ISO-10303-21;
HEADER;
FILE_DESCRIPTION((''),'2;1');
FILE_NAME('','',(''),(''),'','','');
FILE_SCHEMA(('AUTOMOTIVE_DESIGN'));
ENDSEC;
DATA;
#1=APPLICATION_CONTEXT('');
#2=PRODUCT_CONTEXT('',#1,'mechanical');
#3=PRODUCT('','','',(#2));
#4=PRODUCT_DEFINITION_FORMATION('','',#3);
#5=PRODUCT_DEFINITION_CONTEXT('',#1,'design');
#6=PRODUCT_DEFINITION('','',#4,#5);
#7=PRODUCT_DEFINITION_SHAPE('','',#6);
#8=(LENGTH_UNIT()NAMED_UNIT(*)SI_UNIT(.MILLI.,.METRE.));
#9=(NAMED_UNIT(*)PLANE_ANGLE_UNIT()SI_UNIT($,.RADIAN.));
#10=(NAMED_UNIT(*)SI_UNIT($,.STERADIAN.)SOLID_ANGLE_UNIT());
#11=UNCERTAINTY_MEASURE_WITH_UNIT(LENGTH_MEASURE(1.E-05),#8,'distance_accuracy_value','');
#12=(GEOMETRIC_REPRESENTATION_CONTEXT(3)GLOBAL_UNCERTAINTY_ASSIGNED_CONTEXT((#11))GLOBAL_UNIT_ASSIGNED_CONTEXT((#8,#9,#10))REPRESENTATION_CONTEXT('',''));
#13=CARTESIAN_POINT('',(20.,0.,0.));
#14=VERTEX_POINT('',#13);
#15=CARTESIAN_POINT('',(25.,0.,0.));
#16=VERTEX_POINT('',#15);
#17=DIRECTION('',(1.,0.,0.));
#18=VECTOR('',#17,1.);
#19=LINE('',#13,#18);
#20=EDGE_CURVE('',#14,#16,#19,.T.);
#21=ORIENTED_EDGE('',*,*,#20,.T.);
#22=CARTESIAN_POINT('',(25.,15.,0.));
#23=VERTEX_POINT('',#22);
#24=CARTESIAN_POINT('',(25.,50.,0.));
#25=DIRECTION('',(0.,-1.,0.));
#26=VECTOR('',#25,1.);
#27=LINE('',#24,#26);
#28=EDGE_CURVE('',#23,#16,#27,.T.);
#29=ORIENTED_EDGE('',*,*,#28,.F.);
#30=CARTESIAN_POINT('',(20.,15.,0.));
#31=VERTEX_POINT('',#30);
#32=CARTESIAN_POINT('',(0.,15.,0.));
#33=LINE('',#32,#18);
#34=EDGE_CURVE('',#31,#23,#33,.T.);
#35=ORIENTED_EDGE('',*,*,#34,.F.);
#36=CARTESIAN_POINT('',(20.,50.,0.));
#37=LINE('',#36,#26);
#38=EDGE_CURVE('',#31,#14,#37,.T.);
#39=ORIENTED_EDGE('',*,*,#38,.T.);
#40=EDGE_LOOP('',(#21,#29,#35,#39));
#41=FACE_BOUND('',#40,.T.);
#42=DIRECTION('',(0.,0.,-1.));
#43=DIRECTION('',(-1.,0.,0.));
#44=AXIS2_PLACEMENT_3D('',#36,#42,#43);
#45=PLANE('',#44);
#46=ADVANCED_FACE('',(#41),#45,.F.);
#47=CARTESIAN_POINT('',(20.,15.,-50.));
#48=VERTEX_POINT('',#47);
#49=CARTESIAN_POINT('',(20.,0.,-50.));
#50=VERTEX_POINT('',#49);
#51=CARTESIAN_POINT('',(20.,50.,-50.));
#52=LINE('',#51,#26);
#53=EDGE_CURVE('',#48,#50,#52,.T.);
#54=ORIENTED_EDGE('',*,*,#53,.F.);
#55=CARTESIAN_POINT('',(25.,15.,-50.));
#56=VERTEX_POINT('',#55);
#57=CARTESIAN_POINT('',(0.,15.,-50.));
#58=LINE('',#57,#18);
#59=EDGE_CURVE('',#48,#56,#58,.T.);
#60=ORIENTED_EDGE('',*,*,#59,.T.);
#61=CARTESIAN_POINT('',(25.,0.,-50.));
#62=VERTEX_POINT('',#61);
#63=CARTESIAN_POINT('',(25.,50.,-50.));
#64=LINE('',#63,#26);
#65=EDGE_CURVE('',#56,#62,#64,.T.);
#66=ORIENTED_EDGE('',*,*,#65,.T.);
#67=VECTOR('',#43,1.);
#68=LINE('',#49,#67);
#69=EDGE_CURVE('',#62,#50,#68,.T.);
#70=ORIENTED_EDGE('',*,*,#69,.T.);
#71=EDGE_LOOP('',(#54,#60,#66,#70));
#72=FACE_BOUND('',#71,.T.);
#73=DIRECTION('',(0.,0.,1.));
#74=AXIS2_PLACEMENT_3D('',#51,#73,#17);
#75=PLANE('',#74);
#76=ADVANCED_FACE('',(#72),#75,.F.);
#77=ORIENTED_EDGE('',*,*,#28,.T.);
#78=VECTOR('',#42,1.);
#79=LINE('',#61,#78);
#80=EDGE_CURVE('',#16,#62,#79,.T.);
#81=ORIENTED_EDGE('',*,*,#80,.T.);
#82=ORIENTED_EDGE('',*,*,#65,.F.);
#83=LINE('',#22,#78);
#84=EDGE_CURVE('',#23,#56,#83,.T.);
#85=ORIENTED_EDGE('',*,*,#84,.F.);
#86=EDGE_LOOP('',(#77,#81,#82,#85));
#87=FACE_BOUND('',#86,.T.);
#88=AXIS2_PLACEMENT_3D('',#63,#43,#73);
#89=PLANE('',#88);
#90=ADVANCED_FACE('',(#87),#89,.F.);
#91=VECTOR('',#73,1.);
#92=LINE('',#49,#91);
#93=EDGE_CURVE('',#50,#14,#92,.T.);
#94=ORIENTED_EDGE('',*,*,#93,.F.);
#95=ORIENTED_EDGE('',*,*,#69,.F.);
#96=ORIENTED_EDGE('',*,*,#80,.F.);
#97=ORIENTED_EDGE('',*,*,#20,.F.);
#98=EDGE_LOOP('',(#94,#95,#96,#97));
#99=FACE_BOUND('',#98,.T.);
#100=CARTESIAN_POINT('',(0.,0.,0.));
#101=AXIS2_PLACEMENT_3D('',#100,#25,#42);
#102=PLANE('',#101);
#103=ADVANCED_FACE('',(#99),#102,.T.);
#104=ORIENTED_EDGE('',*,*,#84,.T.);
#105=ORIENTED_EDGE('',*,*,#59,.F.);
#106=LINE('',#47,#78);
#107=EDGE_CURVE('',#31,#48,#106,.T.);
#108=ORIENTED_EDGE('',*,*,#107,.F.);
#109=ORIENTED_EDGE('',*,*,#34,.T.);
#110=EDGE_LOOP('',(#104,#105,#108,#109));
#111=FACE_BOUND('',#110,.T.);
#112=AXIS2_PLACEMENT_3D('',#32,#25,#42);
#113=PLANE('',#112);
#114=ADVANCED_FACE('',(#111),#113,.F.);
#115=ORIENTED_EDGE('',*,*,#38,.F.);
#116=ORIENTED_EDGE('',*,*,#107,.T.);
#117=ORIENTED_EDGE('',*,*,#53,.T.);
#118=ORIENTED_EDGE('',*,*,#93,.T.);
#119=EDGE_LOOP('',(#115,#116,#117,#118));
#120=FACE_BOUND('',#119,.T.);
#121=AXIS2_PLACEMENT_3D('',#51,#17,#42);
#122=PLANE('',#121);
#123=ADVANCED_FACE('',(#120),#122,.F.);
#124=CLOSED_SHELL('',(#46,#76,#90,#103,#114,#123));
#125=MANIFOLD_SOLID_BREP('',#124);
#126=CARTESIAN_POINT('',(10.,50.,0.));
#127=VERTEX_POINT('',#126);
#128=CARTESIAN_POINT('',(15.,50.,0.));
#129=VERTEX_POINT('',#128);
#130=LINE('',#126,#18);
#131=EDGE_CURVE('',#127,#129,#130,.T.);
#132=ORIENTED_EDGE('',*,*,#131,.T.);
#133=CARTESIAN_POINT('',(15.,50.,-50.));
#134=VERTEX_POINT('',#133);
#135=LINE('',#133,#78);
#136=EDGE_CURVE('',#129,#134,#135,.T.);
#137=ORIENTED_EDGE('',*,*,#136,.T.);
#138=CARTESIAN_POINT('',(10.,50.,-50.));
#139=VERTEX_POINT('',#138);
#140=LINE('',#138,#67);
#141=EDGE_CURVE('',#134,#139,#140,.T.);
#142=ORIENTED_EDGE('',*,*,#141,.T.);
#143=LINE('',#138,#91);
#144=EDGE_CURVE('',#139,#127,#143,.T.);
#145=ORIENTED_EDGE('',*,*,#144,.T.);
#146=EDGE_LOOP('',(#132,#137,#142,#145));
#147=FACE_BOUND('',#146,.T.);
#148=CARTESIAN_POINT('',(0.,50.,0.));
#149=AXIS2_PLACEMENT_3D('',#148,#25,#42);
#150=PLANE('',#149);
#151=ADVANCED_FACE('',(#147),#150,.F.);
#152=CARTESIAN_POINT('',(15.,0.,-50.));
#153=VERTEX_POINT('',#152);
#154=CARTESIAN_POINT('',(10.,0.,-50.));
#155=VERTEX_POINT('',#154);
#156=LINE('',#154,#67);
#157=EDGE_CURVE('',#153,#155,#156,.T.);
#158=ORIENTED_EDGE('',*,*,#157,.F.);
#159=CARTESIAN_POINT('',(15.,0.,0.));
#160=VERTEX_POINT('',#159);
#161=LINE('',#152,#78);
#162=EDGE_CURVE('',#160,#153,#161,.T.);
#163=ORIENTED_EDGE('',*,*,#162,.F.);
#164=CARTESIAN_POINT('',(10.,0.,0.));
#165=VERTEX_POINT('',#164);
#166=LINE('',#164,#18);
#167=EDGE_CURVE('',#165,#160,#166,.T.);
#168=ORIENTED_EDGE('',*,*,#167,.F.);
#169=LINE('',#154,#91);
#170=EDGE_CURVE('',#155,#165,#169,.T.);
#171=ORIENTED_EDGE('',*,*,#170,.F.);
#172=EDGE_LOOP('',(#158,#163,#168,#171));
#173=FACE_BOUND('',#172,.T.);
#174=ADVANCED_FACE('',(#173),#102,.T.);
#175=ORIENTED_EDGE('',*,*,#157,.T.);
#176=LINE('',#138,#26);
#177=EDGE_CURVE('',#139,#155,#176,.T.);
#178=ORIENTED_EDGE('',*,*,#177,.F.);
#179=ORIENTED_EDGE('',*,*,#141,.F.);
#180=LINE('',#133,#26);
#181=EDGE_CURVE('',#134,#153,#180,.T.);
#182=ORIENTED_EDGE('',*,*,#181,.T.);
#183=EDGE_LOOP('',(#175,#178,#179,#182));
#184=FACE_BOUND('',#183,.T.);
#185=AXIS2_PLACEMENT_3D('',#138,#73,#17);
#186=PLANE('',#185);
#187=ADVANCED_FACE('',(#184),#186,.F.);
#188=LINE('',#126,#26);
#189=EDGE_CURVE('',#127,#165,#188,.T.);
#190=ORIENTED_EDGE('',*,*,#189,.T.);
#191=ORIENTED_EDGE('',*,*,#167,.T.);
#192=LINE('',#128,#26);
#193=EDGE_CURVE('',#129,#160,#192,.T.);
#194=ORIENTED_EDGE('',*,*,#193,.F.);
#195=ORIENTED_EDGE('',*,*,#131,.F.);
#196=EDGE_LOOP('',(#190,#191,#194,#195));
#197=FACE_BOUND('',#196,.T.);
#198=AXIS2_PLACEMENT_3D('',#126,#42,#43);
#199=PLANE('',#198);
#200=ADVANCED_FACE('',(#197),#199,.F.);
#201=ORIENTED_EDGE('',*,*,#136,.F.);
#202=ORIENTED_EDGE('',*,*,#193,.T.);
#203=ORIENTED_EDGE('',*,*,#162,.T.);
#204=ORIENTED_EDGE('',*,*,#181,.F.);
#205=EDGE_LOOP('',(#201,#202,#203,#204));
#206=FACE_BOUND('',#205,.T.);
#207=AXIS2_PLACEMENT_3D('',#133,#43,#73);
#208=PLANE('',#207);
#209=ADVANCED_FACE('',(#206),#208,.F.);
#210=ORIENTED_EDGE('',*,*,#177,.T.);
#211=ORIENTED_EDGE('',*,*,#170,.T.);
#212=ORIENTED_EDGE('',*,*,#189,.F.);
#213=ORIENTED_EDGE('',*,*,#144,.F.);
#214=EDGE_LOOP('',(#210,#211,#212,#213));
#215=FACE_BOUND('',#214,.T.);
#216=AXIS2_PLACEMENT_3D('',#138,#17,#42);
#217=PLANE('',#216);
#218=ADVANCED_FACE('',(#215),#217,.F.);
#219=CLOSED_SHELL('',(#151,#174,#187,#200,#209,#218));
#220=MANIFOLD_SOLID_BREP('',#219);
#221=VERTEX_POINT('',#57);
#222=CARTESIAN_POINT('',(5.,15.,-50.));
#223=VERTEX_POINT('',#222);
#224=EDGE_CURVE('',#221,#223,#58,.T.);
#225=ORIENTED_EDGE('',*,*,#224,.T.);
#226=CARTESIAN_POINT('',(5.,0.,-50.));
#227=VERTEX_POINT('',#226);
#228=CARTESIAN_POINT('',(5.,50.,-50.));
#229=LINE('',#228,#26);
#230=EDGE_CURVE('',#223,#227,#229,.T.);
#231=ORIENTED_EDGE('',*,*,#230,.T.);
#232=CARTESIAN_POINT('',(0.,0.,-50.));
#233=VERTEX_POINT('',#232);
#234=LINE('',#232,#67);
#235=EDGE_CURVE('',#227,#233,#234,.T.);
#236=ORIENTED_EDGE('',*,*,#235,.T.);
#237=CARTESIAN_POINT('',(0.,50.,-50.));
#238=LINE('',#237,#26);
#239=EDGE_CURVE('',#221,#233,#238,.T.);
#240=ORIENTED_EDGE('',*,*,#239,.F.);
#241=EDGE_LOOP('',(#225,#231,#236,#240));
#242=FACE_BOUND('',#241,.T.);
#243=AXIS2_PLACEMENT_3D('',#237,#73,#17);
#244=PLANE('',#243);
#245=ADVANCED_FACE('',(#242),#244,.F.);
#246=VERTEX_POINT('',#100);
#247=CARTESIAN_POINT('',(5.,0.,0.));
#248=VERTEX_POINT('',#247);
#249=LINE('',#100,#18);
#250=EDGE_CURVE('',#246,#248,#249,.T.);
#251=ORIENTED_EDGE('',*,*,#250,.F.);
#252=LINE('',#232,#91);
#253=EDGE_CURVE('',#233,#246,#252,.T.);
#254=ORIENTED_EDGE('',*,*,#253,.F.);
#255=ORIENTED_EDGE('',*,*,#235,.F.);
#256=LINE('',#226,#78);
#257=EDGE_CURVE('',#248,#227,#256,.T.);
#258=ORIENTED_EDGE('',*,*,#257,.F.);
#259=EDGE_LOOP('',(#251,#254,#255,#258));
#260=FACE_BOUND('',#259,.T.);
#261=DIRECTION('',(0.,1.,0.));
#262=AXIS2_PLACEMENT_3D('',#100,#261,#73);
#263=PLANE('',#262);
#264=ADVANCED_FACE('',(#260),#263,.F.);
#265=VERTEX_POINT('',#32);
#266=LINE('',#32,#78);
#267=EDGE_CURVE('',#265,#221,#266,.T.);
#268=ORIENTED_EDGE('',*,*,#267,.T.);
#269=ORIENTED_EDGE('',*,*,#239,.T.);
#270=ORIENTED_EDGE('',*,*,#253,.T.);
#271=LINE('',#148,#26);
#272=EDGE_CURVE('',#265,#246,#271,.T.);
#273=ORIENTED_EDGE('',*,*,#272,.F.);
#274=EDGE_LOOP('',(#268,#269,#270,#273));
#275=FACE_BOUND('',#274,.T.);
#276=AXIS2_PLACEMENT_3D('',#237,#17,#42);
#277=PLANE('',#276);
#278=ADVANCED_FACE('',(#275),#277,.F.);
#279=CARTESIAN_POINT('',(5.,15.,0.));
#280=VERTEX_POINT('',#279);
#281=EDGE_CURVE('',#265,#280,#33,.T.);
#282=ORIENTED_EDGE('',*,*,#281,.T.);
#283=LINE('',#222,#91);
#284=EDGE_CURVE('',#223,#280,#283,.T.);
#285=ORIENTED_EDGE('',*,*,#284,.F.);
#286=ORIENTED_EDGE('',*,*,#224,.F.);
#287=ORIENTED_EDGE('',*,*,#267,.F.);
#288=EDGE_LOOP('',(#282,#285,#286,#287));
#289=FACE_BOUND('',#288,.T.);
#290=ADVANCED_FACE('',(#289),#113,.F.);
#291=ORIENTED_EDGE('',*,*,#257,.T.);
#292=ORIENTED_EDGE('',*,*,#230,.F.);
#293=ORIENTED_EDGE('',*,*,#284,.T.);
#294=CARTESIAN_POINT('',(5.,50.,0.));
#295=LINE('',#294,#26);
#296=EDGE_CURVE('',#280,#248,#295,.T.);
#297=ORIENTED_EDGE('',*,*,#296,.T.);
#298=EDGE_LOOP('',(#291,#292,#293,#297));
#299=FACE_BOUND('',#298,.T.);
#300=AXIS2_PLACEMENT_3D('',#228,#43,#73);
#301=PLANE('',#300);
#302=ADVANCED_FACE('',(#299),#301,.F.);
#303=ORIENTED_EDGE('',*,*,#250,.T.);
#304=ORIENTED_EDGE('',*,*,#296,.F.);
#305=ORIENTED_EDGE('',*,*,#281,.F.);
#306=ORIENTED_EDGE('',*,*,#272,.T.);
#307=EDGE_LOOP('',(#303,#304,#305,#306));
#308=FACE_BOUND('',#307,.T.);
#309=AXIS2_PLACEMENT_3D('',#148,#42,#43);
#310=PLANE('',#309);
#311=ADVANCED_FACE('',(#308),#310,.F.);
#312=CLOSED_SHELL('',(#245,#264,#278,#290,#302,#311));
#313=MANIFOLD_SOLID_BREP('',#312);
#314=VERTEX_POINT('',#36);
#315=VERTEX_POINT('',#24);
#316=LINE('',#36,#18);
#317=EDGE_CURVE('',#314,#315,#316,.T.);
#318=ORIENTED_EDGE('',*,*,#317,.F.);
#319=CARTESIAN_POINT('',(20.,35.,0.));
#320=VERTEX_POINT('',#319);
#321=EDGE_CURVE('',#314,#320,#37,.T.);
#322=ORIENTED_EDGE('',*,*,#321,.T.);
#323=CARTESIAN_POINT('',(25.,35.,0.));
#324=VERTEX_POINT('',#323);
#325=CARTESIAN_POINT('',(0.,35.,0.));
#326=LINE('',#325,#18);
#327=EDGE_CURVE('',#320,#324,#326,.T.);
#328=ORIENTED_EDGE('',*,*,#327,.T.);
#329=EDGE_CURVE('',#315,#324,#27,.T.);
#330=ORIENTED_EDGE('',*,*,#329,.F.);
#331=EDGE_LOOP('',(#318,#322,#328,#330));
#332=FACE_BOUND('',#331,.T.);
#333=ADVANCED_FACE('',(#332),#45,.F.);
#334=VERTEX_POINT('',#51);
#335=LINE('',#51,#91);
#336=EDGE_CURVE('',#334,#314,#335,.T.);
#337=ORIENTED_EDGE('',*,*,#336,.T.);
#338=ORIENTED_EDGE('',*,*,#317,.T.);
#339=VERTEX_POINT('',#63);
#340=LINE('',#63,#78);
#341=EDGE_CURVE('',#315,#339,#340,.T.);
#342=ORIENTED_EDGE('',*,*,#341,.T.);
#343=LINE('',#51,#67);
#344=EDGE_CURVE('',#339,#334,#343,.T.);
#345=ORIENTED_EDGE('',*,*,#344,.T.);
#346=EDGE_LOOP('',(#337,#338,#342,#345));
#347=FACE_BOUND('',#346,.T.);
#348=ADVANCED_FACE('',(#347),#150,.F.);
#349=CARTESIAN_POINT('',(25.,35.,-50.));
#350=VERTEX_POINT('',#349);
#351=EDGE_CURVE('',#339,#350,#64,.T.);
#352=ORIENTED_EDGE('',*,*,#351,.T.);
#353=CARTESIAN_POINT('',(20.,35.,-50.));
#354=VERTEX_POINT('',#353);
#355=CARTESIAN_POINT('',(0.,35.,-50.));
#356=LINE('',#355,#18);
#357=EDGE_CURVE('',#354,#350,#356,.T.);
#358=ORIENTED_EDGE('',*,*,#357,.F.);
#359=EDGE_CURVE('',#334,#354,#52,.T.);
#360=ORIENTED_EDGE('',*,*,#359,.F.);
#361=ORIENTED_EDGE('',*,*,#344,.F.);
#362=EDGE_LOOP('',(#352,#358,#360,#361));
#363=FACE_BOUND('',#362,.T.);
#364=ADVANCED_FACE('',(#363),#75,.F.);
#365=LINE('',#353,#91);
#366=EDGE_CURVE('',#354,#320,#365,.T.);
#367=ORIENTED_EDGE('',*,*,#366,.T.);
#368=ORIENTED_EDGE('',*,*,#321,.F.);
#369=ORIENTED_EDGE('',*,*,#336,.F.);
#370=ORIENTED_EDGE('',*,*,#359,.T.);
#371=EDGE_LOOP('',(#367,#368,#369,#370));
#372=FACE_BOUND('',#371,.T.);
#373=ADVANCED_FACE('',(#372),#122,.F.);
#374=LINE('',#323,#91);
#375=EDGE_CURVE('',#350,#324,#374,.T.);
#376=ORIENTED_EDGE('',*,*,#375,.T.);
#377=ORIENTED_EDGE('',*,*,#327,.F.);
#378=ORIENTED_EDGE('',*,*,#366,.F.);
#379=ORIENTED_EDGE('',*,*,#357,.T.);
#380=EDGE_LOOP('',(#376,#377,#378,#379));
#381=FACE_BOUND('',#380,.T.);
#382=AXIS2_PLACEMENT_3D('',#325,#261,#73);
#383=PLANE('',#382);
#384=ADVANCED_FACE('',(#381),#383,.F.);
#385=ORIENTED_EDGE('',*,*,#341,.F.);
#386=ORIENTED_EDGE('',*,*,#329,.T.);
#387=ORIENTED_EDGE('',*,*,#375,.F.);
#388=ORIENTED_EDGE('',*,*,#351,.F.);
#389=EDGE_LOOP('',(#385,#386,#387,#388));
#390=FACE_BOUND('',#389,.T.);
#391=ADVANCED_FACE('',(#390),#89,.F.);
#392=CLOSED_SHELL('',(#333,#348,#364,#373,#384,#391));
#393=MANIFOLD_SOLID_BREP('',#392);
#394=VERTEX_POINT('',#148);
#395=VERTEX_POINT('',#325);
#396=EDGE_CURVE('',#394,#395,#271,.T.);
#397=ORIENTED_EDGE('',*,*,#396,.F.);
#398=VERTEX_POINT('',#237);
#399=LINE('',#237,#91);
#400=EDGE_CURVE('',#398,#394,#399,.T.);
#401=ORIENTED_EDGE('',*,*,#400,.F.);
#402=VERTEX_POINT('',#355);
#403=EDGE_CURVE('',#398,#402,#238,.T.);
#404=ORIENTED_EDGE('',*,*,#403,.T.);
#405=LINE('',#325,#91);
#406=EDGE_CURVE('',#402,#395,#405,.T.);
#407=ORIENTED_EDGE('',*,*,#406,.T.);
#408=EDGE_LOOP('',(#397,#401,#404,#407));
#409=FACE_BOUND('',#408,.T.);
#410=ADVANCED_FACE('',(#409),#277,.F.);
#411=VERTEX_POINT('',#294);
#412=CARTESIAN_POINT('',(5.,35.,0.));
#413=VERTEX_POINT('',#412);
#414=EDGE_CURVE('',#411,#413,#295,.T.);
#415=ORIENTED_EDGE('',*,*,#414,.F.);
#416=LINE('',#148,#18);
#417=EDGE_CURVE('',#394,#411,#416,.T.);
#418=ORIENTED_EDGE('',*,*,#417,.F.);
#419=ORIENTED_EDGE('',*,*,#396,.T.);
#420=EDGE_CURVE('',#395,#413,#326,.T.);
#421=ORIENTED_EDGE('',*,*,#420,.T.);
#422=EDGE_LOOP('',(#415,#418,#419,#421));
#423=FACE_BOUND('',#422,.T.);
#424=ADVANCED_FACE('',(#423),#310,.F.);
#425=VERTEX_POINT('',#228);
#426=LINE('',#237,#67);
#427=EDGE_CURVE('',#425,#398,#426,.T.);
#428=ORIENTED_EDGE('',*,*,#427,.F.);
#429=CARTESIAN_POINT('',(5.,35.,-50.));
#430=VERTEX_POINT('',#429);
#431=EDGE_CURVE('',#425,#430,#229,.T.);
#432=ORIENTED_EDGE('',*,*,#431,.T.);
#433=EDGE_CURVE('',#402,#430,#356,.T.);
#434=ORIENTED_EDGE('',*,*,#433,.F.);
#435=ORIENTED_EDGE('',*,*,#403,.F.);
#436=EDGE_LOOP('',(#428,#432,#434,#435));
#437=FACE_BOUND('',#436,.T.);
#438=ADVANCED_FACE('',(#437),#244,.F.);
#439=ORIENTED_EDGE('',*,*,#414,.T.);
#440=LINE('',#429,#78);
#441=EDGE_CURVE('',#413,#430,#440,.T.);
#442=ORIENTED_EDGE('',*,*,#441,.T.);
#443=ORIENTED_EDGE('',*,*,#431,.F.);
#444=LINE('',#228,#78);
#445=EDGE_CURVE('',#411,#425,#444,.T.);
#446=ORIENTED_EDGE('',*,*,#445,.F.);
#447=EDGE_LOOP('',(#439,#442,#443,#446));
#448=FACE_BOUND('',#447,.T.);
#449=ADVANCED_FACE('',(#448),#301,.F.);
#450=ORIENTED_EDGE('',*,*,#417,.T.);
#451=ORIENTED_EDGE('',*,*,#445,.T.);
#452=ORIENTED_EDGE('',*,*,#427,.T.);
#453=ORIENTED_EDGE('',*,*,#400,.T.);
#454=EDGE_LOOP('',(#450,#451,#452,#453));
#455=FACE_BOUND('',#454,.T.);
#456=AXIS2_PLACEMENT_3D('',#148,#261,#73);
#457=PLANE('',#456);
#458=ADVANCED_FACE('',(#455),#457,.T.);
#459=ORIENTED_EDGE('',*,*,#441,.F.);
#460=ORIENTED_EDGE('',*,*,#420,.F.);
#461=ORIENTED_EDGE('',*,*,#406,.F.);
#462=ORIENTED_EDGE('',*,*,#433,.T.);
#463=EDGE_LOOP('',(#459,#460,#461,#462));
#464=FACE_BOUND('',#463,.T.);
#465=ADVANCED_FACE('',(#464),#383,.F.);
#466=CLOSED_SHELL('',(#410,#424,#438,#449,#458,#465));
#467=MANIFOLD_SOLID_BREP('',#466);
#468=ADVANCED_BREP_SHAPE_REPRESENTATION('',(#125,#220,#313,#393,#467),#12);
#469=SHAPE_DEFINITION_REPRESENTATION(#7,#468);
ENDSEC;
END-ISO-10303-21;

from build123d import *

# Parameters (mm, degrees)
SKETCH1_W             = 5
SKETCH1_H             = 50
BOSS_EXTRUDE1_DEPTH   = 50
BOSS_EXTRUDE1_2_DEPTH = 50
BOSS_EXTRUDE1_3_DEPTH = 50
SKETCH2_W             = 50
SKETCH2_H             = 20
CUT_EXTRUDE1_DEPTH    = 26


with BuildPart() as part:
    # Sketch1 → Boss-Extrude1 (new body)
    with BuildSketch(Plane(origin=(0, 0, 0), x_dir=(1, 0, 0), z_dir=(0, 1, 0))):
        with Locations((12.5, 25)):
            Rectangle(SKETCH1_W, SKETCH1_H)
    extrude(amount=BOSS_EXTRUDE1_DEPTH)


with BuildPart() as body_2:
    # Sketch1 → Boss-Extrude1 2 (new body)
    with BuildSketch(Plane(origin=(0, 0, 0), x_dir=(1, 0, 0), z_dir=(0, 1, 0))):
        with Locations((2.5, 25)):
            Rectangle(SKETCH1_W, SKETCH1_H)
    extrude(amount=BOSS_EXTRUDE1_2_DEPTH)


with BuildPart() as body_3:
    # Sketch1 → Boss-Extrude1 3 (new body)
    with BuildSketch(Plane(origin=(0, 0, 0), x_dir=(1, 0, 0), z_dir=(0, 1, 0))):
        with Locations((22.5, 25)):
            Rectangle(SKETCH1_W, SKETCH1_H)
    extrude(amount=BOSS_EXTRUDE1_3_DEPTH)


with BuildPart() as cut_extrude1_tool:
    # Sketch2 → Cut-Extrude1 (new body, through all)
    with BuildSketch(Plane(origin=(25, 0, 0), x_dir=(0, 0, -1), z_dir=(1, 0, 0))):
        with Locations((25, 25)):
            Rectangle(SKETCH2_W, SKETCH2_H)
    extrude(amount=-CUT_EXTRUDE1_DEPTH)


with BuildPart() as body_3_1:
    add(body_3.part)

    # Cut-Extrude1: cut by cut_extrude1_tool
    add(cut_extrude1_tool.part, mode=Mode.SUBTRACT)


with BuildPart() as body_2_1:
    add(body_2.part)

    # Cut-Extrude1: cut by cut_extrude1_tool
    add(cut_extrude1_tool.part, mode=Mode.SUBTRACT)


solid = Compound([part.part, body_3_1.part, body_2_1.part])
